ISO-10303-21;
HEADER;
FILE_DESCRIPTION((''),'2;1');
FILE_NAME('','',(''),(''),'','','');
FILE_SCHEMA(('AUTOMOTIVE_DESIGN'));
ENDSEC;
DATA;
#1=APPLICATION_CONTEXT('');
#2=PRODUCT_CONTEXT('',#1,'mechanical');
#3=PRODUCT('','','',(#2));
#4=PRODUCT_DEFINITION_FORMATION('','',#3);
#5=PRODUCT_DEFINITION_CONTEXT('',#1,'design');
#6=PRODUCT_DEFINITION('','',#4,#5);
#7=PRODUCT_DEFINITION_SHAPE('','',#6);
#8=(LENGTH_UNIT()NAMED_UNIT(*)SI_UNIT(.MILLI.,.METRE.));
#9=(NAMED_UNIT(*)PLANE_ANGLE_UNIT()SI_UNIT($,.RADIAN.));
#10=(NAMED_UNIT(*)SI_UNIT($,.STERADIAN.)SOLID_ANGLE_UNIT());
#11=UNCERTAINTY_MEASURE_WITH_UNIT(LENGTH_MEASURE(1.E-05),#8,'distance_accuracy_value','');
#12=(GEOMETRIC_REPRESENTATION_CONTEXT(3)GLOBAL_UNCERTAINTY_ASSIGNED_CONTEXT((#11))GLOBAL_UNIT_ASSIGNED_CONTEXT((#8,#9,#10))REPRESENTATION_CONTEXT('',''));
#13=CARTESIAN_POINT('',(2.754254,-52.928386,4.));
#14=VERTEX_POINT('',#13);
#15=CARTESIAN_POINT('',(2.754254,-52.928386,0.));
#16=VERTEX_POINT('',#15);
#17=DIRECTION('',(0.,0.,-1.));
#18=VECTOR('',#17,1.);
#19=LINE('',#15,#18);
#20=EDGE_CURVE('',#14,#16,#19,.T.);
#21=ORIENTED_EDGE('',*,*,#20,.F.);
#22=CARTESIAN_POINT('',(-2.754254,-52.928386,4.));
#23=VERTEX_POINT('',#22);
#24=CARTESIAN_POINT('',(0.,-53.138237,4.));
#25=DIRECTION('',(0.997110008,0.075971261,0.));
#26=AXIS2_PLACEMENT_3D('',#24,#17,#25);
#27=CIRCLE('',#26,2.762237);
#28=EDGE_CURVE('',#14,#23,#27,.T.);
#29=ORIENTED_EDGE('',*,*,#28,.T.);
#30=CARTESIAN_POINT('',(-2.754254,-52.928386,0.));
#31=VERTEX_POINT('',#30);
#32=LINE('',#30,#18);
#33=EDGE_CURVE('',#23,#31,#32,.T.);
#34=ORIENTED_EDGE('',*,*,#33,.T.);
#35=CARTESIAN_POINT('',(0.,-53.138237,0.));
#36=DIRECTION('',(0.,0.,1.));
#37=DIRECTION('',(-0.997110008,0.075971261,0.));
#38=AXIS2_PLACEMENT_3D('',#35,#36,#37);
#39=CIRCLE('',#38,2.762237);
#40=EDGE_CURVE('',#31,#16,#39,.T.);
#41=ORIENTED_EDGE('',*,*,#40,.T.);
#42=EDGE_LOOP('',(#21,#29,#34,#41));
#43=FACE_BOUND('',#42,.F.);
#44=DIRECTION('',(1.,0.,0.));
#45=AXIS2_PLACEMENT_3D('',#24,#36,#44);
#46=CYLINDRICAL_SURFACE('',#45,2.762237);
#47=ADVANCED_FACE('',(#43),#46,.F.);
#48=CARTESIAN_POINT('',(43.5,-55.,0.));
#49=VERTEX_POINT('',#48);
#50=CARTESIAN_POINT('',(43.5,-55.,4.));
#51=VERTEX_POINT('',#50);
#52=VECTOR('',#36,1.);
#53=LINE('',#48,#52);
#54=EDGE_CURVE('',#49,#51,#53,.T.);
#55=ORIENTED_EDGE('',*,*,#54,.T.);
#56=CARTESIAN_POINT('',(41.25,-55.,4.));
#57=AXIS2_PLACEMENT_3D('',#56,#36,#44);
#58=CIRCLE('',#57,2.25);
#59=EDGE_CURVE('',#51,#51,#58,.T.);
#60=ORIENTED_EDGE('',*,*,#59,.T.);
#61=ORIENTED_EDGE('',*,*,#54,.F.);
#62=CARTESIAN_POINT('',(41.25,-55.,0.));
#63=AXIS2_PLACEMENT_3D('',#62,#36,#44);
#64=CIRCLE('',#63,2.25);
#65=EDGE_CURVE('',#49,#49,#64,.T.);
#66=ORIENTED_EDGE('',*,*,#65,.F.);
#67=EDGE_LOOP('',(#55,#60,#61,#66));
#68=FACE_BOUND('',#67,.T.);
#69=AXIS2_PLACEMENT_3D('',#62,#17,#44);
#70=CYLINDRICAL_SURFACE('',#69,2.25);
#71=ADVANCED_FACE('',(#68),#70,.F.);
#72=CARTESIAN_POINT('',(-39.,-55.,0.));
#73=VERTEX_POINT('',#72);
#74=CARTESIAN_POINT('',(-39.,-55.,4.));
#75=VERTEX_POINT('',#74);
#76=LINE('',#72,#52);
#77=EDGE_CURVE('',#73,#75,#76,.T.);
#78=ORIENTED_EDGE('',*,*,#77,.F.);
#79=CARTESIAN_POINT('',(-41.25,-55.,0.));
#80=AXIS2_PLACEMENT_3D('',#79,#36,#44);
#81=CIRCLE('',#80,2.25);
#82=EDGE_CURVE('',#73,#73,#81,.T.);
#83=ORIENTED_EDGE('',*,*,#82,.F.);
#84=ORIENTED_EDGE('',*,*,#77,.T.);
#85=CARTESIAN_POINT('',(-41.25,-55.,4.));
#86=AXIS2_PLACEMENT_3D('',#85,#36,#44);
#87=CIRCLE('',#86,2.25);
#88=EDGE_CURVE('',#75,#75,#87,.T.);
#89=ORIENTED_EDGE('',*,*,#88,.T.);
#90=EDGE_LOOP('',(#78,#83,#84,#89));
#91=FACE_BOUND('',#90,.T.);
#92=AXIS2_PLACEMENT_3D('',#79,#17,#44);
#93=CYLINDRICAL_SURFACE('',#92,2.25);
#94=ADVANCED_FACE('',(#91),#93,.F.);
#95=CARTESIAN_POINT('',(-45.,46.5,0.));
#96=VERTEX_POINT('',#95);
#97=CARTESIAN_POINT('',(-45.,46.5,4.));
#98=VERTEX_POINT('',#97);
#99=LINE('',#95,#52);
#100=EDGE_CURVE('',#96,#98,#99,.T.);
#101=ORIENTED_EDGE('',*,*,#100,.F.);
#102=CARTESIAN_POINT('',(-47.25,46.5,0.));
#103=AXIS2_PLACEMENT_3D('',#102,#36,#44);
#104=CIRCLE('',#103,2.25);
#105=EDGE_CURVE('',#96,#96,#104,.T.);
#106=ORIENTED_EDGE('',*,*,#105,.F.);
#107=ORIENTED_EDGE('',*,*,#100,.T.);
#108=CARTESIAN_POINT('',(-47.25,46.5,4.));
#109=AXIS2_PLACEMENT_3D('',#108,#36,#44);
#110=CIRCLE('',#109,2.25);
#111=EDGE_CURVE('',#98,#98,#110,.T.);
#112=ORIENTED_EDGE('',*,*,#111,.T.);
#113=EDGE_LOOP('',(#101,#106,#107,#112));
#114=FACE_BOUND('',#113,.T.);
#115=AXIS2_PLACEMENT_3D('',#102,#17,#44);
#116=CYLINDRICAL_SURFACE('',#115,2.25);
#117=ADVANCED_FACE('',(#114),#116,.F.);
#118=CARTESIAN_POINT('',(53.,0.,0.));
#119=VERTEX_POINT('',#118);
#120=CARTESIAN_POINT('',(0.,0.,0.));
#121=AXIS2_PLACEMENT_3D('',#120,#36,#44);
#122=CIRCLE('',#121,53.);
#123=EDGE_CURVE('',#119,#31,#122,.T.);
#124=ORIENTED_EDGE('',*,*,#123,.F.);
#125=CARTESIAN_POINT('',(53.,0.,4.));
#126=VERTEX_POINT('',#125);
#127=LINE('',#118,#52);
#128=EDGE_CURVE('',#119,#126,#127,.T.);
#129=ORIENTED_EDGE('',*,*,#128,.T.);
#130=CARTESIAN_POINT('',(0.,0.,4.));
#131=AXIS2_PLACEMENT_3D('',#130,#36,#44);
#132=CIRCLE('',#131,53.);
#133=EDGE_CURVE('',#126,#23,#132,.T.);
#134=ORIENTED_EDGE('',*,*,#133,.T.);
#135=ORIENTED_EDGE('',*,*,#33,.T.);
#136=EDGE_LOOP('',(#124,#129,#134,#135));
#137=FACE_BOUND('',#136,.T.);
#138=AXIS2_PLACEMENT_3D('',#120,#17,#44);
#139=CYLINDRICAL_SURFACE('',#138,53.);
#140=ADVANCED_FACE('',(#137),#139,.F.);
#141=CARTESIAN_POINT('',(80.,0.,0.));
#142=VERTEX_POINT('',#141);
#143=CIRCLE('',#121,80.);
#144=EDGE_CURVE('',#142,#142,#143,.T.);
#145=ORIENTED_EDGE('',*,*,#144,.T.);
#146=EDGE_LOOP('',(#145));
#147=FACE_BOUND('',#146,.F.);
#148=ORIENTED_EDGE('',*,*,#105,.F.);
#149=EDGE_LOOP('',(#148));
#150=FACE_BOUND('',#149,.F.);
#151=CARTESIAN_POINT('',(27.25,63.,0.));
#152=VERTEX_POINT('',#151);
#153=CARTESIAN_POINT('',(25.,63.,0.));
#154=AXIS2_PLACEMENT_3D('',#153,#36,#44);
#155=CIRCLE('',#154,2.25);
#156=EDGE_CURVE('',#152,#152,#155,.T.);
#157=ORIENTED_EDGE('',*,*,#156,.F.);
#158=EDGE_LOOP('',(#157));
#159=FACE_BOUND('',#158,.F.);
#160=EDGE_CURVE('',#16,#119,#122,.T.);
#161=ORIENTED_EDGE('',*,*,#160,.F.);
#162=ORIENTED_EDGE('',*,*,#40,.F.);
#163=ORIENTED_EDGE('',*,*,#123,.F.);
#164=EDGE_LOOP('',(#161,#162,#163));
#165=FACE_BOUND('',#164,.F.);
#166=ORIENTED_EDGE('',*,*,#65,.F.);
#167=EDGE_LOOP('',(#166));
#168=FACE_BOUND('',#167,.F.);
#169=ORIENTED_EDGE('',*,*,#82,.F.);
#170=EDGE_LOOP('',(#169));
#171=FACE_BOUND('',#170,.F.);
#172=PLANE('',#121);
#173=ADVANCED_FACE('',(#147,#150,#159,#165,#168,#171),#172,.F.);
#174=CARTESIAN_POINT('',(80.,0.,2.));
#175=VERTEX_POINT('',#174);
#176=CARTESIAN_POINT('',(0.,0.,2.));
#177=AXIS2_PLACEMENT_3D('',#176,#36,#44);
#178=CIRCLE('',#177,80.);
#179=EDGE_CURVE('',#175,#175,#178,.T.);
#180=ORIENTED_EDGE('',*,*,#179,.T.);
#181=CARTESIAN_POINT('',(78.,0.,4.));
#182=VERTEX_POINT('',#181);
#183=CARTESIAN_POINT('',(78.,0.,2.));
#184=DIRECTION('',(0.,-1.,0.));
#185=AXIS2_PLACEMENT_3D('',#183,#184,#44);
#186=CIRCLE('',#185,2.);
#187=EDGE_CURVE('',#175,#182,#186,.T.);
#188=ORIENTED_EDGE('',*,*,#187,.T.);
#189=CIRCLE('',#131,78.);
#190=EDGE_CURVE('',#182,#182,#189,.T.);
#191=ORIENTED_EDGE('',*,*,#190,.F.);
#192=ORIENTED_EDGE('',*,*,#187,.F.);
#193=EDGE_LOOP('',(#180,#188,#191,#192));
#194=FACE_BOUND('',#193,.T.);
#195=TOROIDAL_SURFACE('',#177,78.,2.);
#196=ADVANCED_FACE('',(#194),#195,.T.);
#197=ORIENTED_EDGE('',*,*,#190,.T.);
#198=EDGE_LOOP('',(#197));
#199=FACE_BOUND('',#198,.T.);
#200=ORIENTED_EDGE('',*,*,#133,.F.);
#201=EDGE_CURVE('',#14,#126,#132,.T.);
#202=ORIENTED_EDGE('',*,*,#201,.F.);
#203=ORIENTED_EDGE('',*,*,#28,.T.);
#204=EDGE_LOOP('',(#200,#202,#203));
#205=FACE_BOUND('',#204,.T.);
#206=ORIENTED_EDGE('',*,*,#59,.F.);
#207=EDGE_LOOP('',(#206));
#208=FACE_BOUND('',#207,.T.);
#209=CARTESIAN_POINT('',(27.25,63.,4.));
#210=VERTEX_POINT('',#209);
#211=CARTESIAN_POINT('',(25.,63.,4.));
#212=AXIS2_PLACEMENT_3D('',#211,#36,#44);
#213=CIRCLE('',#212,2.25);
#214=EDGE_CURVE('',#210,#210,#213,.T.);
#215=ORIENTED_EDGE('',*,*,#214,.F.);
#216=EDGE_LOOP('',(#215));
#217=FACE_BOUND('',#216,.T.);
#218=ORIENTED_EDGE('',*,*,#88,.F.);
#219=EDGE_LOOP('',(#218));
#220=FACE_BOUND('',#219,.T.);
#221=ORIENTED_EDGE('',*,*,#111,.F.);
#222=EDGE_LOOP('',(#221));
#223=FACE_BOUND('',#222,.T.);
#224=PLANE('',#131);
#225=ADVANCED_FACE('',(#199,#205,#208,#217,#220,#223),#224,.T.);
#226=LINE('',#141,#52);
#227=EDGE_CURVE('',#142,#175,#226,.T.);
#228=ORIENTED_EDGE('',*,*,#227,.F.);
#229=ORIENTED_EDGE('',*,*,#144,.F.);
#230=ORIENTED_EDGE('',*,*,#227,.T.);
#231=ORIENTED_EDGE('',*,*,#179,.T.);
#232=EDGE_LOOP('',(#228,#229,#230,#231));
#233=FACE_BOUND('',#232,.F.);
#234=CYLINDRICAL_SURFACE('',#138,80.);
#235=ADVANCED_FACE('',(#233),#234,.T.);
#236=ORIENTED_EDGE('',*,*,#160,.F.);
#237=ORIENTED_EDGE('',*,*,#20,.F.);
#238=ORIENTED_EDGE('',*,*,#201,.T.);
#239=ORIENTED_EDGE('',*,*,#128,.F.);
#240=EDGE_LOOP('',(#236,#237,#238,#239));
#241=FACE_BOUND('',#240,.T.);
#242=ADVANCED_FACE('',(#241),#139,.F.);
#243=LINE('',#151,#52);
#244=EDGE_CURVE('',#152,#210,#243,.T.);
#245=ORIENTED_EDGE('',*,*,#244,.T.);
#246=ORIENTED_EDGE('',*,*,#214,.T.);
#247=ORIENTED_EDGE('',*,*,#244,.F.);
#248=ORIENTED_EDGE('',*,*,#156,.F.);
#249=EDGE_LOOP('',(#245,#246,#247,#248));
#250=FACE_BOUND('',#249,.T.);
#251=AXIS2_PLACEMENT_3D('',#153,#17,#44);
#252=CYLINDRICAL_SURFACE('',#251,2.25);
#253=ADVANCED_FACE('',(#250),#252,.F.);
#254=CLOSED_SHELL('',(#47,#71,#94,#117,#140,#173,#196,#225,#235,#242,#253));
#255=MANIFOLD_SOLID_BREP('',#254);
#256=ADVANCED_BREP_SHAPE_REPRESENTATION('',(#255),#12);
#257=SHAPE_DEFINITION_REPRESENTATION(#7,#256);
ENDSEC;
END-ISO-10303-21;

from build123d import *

# Parameters (mm, degrees)
SKETCH_R     = 80
SKETCH_R_2   = 53
SKETCH_R_3   = 2.25
PAD_DEPTH    = 4
SKETCH001_R  = 2.762237
POCKET_DEPTH = 4.001
FILLET_R     = 2


with BuildPart() as part:
    # Sketch → Pad (new body)
    with BuildSketch(Plane.XY):
        Circle(SKETCH_R)
        Circle(SKETCH_R_2, mode=Mode.SUBTRACT)
        with Locations((25, 63)):
            Circle(SKETCH_R_3, mode=Mode.SUBTRACT)
        with Locations((-47.25, 46.5)):
            Circle(SKETCH_R_3, mode=Mode.SUBTRACT)
        with Locations((-41.25, -55)):
            Circle(SKETCH_R_3, mode=Mode.SUBTRACT)
        with Locations((41.25, -55)):
            Circle(SKETCH_R_3, mode=Mode.SUBTRACT)
    extrude(amount=PAD_DEPTH)

    # Sketch001 (on Face8 of Pad) → Pocket (cut, through all)
    with BuildSketch(Plane.XY.offset(4)):
        with Locations((0, -53.138237)):
            Circle(SKETCH001_R)
    extrude(amount=-POCKET_DEPTH, mode=Mode.SUBTRACT)

    # Fillet
    fillet_edges = [part.edges().sort_by_distance(p)[0] for p in [
        (-80, 0, 4),
    ]]
    fillet(fillet_edges, radius=FILLET_R)


solid = part.part
